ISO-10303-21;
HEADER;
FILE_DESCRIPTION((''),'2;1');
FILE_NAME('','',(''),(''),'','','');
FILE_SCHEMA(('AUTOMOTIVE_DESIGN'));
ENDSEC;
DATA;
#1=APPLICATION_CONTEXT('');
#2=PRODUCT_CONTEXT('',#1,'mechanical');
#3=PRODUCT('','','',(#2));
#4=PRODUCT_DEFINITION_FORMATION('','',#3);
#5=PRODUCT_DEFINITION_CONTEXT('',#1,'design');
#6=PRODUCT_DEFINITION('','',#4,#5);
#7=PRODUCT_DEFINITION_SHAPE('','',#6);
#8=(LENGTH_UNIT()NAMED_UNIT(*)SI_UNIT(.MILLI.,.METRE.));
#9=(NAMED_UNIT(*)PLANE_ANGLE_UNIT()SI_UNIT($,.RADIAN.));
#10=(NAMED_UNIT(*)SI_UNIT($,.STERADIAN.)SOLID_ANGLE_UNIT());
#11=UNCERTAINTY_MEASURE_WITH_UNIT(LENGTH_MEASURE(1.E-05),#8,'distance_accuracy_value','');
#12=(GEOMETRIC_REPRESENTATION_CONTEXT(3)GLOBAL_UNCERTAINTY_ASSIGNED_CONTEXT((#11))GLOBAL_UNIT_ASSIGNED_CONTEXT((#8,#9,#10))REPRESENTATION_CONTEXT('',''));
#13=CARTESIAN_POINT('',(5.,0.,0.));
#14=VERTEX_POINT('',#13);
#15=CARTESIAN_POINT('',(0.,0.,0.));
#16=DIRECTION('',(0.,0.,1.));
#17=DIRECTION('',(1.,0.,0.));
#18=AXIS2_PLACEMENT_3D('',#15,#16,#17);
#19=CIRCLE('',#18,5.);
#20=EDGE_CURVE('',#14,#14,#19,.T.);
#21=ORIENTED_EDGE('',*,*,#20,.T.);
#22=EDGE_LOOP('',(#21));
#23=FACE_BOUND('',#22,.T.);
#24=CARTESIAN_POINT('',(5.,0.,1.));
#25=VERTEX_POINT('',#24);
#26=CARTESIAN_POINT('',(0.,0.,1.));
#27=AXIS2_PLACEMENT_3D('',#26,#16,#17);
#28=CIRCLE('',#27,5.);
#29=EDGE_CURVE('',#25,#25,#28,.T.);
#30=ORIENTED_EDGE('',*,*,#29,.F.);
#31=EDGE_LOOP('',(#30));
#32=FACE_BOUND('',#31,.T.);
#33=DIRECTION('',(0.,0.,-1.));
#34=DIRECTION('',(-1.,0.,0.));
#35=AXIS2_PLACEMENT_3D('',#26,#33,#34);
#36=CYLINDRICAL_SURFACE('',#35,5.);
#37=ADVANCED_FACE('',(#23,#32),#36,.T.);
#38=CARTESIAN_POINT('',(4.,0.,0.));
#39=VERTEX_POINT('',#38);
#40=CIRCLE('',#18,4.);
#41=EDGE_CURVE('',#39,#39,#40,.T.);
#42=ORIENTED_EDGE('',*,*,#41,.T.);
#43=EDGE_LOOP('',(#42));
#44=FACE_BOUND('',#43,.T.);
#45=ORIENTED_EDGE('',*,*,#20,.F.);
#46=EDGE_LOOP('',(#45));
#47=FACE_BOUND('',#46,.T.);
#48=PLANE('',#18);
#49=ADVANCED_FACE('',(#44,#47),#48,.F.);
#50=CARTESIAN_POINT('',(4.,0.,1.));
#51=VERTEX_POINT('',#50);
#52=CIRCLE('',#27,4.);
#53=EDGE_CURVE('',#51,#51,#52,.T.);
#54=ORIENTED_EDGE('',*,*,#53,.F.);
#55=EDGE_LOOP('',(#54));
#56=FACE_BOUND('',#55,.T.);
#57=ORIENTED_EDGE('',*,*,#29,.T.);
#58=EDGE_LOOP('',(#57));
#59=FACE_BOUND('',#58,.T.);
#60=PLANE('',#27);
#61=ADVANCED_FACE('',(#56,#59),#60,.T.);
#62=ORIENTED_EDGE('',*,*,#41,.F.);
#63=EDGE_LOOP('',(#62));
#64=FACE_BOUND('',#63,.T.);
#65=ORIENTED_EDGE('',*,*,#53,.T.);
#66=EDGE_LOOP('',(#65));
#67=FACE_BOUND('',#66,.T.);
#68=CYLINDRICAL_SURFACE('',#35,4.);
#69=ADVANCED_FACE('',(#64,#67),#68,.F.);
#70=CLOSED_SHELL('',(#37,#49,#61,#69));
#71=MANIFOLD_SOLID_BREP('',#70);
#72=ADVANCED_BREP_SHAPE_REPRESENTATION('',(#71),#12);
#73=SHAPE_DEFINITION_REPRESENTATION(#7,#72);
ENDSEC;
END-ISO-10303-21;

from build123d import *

# Parameters (mm, degrees)
SZKIC1_R                    = 5
SZKIC1_R_2                  = 4
DODANIE_WYCI_GNI_CIE1_DEPTH = 1


with BuildPart() as part:
    # Szkic1 → Dodanie-wyciągnięcie1 (new body)
    with BuildSketch(Plane.XY):
        Circle(SZKIC1_R)
        Circle(SZKIC1_R_2, mode=Mode.SUBTRACT)
    extrude(amount=DODANIE_WYCI_GNI_CIE1_DEPTH)


solid = part.part
